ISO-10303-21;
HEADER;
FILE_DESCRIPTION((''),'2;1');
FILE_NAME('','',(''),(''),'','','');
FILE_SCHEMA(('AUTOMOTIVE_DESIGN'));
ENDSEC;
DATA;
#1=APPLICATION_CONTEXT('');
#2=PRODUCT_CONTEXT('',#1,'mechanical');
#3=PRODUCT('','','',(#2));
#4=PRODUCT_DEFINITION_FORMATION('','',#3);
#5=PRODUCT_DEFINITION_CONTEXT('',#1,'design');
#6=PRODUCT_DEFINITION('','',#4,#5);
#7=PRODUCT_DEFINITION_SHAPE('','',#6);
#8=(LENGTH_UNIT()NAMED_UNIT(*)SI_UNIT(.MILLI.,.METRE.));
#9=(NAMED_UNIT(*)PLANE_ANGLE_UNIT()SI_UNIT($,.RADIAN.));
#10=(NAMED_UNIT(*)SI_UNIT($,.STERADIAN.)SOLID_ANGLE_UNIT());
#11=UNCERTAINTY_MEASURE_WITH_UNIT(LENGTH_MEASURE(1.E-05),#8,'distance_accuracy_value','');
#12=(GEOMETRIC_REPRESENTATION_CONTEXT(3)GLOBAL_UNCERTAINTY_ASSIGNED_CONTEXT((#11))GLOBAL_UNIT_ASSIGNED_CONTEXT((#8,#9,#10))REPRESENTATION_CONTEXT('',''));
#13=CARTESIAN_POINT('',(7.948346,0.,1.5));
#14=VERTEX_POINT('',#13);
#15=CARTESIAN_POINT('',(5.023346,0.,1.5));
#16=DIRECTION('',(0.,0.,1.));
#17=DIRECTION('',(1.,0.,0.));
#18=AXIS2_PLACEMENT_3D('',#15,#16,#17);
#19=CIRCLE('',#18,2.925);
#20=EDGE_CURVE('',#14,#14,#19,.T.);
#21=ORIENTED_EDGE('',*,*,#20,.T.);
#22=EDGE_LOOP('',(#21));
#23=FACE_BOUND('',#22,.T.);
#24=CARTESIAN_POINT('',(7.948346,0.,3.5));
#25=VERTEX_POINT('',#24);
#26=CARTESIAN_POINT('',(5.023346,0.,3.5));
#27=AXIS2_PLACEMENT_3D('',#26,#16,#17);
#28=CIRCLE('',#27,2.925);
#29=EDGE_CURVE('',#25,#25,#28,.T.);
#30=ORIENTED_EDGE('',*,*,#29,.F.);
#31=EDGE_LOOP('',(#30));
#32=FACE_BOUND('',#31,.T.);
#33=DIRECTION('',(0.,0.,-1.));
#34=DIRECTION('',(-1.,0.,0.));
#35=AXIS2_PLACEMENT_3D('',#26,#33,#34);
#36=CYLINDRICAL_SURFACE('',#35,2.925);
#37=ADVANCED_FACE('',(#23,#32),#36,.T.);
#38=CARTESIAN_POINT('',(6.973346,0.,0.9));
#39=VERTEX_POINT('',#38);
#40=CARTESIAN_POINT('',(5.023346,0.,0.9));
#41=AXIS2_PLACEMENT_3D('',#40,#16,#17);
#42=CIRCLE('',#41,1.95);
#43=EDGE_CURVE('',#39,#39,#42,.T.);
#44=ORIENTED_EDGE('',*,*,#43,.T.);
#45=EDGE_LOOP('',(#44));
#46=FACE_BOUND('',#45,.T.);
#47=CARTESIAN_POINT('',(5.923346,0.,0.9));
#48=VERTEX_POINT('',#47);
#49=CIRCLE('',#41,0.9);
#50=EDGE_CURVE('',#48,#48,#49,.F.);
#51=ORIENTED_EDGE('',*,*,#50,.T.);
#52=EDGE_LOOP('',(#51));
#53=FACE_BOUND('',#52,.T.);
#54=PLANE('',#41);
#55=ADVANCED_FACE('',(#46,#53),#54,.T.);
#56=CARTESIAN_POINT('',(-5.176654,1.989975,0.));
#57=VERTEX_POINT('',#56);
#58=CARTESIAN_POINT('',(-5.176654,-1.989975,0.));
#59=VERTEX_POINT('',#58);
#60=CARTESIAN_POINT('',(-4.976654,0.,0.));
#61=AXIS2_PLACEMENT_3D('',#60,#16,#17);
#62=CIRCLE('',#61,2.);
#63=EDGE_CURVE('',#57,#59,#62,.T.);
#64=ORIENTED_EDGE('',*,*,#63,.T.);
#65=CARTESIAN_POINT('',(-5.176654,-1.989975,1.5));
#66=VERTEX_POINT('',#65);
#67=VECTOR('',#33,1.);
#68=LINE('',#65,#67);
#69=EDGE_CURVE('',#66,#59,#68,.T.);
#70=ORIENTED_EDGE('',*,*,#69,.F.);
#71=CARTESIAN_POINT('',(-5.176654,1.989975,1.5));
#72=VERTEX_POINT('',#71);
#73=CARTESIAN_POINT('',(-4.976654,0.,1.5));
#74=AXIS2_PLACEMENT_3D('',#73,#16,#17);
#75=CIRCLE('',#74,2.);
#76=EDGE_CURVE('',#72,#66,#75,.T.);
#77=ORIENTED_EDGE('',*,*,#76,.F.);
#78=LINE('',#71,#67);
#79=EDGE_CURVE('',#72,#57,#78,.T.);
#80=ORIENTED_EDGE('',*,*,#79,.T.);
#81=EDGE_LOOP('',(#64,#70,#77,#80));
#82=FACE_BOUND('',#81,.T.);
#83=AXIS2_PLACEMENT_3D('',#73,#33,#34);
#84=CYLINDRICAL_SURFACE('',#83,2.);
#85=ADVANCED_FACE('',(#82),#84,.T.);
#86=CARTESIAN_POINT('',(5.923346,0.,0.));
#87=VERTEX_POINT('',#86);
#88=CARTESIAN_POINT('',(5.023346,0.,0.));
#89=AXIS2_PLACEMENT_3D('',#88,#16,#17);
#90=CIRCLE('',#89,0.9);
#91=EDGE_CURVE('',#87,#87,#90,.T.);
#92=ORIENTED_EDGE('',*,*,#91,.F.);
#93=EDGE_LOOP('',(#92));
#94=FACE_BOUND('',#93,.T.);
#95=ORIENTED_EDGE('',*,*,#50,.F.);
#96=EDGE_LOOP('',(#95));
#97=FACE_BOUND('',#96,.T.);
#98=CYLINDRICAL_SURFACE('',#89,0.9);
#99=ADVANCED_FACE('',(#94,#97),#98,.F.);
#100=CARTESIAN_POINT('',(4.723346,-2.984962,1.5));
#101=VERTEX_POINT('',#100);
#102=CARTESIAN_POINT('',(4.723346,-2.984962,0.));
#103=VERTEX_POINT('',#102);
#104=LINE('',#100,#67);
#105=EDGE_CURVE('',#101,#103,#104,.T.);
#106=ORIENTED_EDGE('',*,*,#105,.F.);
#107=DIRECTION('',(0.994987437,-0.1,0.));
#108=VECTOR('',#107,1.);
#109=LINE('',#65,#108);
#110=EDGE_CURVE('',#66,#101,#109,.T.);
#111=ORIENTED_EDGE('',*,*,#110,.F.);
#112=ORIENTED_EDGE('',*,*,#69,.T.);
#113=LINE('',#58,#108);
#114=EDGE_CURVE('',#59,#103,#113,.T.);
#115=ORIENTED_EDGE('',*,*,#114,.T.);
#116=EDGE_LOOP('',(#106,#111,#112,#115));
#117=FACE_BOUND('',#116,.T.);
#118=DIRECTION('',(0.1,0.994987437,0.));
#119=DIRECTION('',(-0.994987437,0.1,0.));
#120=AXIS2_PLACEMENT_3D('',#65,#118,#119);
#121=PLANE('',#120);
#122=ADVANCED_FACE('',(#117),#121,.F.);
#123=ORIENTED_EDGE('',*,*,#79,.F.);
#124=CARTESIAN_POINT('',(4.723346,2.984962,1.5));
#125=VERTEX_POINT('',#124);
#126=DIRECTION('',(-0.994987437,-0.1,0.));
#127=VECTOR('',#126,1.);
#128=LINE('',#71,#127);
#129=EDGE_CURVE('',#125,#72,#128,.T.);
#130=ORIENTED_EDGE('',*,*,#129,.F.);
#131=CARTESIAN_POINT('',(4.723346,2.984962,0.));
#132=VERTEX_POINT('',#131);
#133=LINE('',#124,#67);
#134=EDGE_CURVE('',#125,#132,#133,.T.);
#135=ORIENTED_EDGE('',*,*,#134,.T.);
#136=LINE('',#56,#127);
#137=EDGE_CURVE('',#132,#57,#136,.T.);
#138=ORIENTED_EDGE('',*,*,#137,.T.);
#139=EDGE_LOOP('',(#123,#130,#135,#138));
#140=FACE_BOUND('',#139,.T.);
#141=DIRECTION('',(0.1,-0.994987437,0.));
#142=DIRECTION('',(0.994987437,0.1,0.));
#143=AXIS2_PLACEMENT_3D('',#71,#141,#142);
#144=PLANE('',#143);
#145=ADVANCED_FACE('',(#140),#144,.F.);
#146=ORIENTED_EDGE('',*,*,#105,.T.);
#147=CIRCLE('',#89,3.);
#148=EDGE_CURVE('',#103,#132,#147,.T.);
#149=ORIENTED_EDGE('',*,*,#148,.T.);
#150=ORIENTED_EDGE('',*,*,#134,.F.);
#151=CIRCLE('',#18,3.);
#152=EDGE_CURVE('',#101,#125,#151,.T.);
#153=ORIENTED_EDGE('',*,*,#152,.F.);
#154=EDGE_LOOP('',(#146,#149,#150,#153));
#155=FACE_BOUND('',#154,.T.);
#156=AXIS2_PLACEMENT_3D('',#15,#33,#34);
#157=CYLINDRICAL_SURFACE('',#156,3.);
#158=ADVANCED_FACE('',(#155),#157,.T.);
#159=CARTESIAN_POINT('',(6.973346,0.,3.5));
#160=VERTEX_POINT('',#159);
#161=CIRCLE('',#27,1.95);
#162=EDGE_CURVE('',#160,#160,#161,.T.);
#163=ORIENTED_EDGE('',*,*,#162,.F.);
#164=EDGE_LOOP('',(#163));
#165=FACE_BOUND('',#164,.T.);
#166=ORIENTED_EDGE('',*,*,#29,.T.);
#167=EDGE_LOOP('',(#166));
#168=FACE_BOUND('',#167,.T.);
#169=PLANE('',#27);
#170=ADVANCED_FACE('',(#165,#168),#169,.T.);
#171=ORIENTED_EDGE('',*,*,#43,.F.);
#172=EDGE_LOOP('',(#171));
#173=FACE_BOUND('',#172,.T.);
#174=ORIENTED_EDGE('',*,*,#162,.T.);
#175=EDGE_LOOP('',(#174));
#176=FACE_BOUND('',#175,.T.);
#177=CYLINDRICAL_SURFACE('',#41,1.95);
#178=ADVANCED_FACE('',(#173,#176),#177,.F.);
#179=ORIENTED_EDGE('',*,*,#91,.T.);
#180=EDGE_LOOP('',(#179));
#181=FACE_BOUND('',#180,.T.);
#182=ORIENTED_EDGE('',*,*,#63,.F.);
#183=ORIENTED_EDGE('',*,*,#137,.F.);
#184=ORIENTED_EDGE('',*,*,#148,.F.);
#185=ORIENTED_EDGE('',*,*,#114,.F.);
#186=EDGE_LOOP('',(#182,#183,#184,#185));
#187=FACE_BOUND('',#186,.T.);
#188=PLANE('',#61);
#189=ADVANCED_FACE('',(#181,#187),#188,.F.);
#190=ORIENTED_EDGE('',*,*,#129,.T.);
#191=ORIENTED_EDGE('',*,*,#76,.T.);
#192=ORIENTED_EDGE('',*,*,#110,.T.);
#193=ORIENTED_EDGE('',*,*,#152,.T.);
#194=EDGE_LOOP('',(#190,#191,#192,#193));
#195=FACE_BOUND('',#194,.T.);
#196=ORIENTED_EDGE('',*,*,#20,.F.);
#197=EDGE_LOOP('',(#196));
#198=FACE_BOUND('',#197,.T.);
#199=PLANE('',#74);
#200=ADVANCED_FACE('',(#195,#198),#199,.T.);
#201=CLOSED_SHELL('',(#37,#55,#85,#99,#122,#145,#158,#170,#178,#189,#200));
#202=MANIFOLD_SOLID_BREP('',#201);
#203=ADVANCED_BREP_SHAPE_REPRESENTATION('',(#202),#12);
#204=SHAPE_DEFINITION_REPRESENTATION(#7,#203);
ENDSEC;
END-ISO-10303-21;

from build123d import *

# Parameters (mm, degrees)
EXTRUSION1_DEPTH = 1.5
ESQUISSE2_R      = 2.925
EXTRUSION2_DEPTH = 2
ESQUISSE3_R      = 0.9
EXTRUSION3_DEPTH = 10.253328027
ESQUISSE4_R      = 1.95
EXTRUSION4_DEPTH = 2.6


with BuildPart() as part:
    # Esquisse1 → Extrusion1 (new body)
    with BuildSketch(Plane.XY):
        with BuildLine():
            Line((-5.176654091, 1.989974874), (4.723345909, 2.984962311))
            ThreePointArc((4.723345909, 2.984962311), (8.023345909, 0), (4.723345909, -2.984962311))
            Line((4.723345909, -2.984962311), (-5.176654091, -1.989974874))
            ThreePointArc((-5.176654091, -1.989974874), (-6.976654091, 0), (-5.176654091, 1.989974874))
        make_face()
    extrude(amount=EXTRUSION1_DEPTH)

    # Esquisse2 → Extrusion2 (add)
    with BuildSketch(Plane.XY.offset(1.5)):
        with Locations((5.023345909, 0)):
            Circle(ESQUISSE2_R)
    extrude(amount=EXTRUSION2_DEPTH)

    # Esquisse3 → Extrusion3 (cut, through all)
    with BuildSketch(Plane.XY.offset(3.5)):
        with Locations((5.023345909, 0)):
            Circle(ESQUISSE3_R)
    extrude(amount=-EXTRUSION3_DEPTH, mode=Mode.SUBTRACT)

    # Esquisse4 → Extrusion4 (cut)
    with BuildSketch(Plane.XY.offset(3.5)):
        with Locations((5.023345909, 0)):
            Circle(ESQUISSE4_R)
    extrude(amount=-EXTRUSION4_DEPTH, mode=Mode.SUBTRACT)


solid = part.part
